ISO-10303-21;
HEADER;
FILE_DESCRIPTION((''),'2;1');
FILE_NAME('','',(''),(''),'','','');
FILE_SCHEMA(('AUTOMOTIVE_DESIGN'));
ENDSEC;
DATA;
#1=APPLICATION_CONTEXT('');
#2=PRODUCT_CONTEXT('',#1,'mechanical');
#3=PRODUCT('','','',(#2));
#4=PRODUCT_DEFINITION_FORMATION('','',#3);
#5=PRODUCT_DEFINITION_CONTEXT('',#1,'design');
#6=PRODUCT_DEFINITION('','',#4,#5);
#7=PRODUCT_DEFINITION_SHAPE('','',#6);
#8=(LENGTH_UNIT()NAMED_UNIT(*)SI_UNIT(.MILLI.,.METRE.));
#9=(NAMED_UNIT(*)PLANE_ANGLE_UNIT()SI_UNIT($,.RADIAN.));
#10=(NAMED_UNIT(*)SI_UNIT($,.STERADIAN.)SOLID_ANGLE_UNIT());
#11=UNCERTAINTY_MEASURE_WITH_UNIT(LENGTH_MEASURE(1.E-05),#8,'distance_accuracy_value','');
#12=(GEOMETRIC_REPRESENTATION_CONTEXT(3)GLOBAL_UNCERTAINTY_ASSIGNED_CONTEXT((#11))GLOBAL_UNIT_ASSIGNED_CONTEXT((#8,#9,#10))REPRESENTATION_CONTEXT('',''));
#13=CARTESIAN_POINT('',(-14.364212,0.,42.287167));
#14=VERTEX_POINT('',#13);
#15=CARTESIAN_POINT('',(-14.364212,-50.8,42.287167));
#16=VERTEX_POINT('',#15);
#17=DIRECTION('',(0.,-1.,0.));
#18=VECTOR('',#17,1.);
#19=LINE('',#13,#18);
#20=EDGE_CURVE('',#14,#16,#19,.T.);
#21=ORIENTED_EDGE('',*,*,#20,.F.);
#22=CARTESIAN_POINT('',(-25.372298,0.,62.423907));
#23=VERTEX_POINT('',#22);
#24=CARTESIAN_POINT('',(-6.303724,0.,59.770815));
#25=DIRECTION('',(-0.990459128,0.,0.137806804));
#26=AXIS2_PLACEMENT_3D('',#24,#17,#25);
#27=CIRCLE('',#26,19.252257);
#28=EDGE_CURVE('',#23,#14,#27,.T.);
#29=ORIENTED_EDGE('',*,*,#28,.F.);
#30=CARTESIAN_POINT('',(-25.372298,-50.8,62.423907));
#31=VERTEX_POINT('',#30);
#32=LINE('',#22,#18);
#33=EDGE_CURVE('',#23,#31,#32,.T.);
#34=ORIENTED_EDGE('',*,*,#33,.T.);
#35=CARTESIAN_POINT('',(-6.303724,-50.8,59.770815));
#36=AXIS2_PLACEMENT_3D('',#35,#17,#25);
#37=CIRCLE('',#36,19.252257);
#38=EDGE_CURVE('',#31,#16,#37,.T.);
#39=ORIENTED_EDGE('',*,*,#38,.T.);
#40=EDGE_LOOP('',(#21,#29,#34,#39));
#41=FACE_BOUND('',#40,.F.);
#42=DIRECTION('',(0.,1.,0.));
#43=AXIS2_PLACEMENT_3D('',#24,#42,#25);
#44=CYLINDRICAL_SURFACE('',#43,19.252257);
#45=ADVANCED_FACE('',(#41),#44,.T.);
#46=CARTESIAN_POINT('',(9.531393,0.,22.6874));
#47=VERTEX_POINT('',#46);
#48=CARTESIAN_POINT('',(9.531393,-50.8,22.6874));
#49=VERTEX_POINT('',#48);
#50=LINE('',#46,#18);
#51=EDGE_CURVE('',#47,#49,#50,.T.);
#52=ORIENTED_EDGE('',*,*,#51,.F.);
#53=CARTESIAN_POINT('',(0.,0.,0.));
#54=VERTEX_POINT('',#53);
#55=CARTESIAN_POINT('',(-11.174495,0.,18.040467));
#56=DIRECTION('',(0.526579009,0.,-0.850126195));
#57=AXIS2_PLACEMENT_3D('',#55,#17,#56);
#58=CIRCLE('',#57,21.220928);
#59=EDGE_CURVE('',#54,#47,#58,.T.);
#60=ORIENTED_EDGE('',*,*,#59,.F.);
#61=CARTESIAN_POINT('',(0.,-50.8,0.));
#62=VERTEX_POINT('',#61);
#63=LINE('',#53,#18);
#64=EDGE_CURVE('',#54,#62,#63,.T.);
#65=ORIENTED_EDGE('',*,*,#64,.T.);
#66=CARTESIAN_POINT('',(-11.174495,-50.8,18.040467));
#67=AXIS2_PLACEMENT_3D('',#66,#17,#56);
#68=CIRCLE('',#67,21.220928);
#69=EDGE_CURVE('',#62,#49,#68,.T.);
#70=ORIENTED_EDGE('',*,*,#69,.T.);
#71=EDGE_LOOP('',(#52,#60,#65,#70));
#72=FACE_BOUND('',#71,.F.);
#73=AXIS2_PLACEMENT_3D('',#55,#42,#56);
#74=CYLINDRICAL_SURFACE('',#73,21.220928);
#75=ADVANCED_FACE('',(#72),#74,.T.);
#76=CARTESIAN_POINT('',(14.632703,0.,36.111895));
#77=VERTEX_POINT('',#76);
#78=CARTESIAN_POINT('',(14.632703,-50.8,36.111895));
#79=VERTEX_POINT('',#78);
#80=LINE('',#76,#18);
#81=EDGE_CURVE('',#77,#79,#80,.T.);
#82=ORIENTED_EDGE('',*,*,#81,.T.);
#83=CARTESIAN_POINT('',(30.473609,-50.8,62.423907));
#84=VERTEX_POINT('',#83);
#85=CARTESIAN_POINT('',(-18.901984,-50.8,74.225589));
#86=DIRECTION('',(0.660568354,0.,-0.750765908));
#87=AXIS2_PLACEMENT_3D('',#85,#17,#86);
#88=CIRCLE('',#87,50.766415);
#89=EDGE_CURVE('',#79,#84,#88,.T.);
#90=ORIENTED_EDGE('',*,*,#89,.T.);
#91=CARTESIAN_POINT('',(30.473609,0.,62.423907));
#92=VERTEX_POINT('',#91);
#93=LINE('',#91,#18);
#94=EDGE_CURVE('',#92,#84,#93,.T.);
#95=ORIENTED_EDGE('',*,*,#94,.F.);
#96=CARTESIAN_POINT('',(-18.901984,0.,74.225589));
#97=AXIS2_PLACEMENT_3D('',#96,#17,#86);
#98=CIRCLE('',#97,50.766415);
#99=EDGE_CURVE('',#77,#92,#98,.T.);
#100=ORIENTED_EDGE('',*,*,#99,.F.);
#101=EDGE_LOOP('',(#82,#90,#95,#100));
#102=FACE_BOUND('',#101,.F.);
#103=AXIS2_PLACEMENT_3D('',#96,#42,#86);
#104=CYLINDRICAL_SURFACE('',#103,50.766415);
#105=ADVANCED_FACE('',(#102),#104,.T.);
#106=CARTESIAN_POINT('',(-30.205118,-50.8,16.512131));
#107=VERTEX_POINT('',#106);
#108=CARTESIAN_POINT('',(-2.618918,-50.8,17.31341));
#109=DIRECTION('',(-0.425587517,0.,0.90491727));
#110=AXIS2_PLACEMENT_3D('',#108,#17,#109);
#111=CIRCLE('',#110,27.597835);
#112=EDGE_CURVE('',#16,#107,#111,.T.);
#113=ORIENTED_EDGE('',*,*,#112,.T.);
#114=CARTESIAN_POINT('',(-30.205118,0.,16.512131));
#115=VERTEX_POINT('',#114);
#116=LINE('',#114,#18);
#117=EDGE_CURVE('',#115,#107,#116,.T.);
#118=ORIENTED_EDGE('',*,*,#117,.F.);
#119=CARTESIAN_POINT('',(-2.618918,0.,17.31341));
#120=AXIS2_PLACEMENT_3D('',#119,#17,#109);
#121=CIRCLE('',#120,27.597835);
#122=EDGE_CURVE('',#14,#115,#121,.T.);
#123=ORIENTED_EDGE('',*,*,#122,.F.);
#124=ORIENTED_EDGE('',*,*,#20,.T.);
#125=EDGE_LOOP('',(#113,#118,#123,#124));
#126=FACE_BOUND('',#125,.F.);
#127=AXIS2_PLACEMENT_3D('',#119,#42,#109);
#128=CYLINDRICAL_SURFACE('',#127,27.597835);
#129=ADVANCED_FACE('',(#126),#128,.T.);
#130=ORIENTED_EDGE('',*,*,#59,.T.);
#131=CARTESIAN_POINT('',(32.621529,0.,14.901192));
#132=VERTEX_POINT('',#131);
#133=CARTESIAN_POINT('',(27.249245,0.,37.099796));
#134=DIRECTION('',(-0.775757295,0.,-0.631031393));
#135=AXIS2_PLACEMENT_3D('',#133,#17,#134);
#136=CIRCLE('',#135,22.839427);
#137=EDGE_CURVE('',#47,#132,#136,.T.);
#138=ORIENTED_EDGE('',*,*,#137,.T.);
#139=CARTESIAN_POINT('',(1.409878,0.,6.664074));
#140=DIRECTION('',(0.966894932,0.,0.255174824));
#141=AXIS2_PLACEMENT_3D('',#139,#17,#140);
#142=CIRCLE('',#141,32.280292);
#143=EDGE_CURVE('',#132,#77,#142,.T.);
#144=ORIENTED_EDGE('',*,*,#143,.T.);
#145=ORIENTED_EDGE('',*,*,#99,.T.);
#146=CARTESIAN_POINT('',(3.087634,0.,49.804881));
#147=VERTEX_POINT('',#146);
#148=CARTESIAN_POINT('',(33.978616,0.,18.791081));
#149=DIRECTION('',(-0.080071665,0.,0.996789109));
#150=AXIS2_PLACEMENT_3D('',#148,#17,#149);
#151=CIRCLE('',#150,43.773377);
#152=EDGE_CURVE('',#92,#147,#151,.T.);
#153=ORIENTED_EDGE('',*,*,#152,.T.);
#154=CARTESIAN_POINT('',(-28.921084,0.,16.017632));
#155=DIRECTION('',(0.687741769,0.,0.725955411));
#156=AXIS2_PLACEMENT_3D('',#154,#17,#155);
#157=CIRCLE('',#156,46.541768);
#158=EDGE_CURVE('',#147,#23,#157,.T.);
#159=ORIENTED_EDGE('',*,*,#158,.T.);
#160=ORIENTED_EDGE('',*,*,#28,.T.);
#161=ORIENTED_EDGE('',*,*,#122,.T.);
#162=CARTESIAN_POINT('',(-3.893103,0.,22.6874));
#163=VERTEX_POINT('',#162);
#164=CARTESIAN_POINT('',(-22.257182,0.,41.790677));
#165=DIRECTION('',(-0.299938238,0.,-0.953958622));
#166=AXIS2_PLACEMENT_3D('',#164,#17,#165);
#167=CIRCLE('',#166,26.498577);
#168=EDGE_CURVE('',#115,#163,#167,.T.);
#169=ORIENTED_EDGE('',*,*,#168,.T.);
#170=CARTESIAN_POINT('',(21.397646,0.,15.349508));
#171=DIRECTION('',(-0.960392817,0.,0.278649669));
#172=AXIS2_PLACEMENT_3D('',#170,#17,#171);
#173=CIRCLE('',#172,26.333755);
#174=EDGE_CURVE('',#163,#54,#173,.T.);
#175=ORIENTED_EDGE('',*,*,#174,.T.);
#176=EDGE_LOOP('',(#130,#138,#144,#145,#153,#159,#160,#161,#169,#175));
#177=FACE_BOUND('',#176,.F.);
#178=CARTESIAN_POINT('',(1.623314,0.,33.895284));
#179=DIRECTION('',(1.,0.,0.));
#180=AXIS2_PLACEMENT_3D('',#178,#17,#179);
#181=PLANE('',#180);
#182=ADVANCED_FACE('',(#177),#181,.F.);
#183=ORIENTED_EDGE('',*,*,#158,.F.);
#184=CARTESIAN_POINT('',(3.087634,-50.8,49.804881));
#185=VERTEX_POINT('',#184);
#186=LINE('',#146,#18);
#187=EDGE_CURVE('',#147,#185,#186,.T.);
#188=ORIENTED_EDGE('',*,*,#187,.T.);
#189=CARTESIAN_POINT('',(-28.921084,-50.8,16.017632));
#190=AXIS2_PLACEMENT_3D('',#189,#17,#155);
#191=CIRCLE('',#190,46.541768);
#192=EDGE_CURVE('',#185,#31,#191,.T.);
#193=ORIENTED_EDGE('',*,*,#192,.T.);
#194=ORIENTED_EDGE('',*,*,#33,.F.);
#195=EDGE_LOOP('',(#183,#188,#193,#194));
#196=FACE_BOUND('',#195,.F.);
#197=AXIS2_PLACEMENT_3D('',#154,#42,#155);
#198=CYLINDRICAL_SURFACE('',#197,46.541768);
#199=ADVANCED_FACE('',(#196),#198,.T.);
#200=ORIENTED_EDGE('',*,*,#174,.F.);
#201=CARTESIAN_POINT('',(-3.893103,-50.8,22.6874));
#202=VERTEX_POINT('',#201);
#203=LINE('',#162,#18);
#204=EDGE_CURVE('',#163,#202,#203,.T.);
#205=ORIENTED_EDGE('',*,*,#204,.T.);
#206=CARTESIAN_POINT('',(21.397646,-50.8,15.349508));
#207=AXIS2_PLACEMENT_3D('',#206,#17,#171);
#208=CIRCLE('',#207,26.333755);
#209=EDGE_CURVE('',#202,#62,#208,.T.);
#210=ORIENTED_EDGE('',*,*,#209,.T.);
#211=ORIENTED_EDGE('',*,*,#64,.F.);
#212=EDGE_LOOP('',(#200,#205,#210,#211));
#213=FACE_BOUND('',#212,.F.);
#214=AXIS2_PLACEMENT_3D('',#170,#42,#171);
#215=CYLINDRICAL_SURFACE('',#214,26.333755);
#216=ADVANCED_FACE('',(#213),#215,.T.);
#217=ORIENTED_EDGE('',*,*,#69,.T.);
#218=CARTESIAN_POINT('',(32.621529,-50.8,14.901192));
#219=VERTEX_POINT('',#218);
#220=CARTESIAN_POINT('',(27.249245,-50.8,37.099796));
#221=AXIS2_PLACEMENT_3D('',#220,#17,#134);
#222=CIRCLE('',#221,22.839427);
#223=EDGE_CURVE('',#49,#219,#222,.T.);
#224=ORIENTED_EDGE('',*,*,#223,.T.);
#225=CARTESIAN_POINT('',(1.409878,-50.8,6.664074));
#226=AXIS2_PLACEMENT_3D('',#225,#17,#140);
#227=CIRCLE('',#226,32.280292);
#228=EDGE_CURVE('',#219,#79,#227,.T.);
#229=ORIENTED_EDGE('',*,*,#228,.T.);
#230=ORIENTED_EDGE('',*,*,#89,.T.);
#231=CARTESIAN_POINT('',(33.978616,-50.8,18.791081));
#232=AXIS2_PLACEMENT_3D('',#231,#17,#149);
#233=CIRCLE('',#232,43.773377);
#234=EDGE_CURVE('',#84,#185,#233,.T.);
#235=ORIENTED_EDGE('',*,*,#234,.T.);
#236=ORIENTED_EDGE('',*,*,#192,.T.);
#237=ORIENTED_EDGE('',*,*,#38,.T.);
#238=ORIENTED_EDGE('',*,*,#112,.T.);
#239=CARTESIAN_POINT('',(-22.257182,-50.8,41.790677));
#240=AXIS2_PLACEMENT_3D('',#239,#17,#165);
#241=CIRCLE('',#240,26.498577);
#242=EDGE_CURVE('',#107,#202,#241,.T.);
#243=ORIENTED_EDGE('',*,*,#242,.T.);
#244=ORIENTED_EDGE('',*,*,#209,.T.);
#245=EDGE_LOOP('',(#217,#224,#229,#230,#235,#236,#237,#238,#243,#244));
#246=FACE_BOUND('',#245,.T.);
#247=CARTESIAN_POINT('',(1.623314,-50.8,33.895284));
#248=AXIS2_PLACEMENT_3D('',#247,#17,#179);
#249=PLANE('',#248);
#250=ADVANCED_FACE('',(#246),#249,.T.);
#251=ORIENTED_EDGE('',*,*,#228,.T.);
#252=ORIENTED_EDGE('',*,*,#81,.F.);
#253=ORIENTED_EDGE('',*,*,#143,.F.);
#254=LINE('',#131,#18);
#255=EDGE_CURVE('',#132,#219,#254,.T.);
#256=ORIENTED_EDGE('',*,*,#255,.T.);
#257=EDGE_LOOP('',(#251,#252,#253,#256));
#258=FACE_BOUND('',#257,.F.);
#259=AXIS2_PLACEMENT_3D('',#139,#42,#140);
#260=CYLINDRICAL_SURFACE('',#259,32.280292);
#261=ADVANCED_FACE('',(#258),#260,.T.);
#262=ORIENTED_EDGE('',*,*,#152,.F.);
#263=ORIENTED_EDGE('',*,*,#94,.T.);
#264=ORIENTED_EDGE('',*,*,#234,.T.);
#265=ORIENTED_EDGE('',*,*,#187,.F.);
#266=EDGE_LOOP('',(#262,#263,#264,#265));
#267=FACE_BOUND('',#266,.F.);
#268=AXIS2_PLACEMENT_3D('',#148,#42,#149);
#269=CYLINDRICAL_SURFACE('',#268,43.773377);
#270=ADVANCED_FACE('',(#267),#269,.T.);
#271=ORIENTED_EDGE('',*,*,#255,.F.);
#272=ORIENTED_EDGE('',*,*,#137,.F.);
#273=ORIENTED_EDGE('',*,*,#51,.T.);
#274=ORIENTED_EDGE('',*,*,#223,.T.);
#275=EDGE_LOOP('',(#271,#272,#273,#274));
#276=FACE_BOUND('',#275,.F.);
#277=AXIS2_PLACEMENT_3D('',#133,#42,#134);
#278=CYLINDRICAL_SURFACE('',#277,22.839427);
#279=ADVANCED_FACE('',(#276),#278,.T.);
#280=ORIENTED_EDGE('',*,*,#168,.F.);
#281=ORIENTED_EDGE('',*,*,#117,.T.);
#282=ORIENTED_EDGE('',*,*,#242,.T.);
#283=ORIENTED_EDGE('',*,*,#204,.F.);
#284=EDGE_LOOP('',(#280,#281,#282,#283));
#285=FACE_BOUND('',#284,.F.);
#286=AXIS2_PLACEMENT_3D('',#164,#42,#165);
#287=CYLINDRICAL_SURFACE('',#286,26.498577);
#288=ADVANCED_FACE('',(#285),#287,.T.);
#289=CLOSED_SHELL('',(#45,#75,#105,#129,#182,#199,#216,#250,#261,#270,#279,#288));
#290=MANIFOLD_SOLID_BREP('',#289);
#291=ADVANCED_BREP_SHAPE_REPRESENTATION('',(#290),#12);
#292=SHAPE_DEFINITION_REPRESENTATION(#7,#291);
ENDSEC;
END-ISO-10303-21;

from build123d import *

# Parameters (mm, degrees)
F1_DEPTH = 50.8


with BuildPart() as f1:
    # F0 (on Front) → F1 (new body)
    with BuildSketch(Plane.XZ):
        with BuildLine():
            ThreePointArc((14.632703, 36.111895), (24.590649, 48.041247), (30.473609, 62.423907))
            ThreePointArc((30.473609, 62.423907), (15.659747, 58.546931), (3.087634, 49.804881))
            ThreePointArc((3.087634, 49.804881), (-10.055932, 58.564574), (-25.372298, 62.423907))
            ThreePointArc((-25.372298, 62.423907), (-23.19658, 50.536053), (-14.364212, 42.287167))
            ThreePointArc((-14.364212, 42.287167), (-26.131249, 31.763696), (-30.205118, 16.512131))
            ThreePointArc((-30.205118, 16.512131), (-16.202639, 15.993059), (-3.893103, 22.6874))
            ThreePointArc((-3.893103, 22.6874), (-4.556758, 10.895795), (0, 0))
            ThreePointArc((0, 0), (8.389994, 9.821066), (9.531393, 22.6874))
            ThreePointArc((9.531393, 22.6874), (19.951333, 15.457709), (32.621529, 14.901192))
            ThreePointArc((32.621529, 14.901192), (26.028553, 27.543205), (14.632703, 36.111895))
        make_face()
    extrude(amount=F1_DEPTH)


solid = f1.part
